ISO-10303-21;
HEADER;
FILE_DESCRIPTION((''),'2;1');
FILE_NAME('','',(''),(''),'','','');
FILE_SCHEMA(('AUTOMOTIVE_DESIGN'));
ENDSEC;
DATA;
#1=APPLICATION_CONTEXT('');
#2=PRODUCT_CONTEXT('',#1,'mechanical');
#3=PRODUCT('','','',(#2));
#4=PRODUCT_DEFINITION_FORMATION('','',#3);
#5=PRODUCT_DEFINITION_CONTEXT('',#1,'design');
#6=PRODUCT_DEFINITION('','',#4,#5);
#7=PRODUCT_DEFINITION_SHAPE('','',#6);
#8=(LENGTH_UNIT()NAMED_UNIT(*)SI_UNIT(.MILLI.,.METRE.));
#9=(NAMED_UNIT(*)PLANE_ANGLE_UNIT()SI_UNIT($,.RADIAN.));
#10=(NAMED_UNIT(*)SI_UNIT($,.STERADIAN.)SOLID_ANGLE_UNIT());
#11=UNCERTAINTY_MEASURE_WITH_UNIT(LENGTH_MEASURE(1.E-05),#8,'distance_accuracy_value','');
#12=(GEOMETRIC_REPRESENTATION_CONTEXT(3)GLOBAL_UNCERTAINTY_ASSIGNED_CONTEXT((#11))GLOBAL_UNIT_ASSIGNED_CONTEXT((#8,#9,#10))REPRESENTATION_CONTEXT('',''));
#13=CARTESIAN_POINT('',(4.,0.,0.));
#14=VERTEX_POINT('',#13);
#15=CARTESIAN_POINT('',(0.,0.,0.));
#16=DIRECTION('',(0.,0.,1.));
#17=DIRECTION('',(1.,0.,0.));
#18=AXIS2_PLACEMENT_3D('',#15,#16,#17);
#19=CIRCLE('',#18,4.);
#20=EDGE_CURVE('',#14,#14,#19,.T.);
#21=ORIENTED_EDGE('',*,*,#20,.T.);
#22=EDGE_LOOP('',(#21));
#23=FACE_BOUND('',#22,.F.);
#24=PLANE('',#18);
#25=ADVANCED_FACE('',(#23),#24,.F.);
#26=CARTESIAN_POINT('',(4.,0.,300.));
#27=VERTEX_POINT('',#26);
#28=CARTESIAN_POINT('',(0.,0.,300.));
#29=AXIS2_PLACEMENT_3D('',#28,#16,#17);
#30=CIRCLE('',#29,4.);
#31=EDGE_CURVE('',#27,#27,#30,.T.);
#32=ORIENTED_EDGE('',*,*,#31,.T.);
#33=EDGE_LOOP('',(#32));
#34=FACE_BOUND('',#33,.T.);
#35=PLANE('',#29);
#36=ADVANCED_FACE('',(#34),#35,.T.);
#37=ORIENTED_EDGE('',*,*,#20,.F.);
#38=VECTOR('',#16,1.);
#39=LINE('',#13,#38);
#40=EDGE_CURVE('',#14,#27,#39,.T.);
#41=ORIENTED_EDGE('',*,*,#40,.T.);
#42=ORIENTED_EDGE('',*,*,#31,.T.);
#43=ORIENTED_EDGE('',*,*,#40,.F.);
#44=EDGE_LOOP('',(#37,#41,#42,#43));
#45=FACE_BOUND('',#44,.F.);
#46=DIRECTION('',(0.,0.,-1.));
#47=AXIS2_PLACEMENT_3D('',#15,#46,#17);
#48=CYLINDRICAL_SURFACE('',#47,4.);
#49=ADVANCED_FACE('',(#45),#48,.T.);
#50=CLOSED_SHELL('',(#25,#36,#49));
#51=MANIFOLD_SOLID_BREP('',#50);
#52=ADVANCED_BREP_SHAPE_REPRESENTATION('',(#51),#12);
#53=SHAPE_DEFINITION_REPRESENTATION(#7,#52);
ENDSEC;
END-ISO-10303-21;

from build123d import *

# Parameters (mm, degrees)
ESQUISSE1_R        = 4
BOSS_EXTRU_1_DEPTH = 300


with BuildPart() as part:
    # Esquisse1 → Boss.-Extru.1 (new body)
    with BuildSketch(Plane.XY):
        Circle(ESQUISSE1_R)
    extrude(amount=BOSS_EXTRU_1_DEPTH)


solid = part.part
